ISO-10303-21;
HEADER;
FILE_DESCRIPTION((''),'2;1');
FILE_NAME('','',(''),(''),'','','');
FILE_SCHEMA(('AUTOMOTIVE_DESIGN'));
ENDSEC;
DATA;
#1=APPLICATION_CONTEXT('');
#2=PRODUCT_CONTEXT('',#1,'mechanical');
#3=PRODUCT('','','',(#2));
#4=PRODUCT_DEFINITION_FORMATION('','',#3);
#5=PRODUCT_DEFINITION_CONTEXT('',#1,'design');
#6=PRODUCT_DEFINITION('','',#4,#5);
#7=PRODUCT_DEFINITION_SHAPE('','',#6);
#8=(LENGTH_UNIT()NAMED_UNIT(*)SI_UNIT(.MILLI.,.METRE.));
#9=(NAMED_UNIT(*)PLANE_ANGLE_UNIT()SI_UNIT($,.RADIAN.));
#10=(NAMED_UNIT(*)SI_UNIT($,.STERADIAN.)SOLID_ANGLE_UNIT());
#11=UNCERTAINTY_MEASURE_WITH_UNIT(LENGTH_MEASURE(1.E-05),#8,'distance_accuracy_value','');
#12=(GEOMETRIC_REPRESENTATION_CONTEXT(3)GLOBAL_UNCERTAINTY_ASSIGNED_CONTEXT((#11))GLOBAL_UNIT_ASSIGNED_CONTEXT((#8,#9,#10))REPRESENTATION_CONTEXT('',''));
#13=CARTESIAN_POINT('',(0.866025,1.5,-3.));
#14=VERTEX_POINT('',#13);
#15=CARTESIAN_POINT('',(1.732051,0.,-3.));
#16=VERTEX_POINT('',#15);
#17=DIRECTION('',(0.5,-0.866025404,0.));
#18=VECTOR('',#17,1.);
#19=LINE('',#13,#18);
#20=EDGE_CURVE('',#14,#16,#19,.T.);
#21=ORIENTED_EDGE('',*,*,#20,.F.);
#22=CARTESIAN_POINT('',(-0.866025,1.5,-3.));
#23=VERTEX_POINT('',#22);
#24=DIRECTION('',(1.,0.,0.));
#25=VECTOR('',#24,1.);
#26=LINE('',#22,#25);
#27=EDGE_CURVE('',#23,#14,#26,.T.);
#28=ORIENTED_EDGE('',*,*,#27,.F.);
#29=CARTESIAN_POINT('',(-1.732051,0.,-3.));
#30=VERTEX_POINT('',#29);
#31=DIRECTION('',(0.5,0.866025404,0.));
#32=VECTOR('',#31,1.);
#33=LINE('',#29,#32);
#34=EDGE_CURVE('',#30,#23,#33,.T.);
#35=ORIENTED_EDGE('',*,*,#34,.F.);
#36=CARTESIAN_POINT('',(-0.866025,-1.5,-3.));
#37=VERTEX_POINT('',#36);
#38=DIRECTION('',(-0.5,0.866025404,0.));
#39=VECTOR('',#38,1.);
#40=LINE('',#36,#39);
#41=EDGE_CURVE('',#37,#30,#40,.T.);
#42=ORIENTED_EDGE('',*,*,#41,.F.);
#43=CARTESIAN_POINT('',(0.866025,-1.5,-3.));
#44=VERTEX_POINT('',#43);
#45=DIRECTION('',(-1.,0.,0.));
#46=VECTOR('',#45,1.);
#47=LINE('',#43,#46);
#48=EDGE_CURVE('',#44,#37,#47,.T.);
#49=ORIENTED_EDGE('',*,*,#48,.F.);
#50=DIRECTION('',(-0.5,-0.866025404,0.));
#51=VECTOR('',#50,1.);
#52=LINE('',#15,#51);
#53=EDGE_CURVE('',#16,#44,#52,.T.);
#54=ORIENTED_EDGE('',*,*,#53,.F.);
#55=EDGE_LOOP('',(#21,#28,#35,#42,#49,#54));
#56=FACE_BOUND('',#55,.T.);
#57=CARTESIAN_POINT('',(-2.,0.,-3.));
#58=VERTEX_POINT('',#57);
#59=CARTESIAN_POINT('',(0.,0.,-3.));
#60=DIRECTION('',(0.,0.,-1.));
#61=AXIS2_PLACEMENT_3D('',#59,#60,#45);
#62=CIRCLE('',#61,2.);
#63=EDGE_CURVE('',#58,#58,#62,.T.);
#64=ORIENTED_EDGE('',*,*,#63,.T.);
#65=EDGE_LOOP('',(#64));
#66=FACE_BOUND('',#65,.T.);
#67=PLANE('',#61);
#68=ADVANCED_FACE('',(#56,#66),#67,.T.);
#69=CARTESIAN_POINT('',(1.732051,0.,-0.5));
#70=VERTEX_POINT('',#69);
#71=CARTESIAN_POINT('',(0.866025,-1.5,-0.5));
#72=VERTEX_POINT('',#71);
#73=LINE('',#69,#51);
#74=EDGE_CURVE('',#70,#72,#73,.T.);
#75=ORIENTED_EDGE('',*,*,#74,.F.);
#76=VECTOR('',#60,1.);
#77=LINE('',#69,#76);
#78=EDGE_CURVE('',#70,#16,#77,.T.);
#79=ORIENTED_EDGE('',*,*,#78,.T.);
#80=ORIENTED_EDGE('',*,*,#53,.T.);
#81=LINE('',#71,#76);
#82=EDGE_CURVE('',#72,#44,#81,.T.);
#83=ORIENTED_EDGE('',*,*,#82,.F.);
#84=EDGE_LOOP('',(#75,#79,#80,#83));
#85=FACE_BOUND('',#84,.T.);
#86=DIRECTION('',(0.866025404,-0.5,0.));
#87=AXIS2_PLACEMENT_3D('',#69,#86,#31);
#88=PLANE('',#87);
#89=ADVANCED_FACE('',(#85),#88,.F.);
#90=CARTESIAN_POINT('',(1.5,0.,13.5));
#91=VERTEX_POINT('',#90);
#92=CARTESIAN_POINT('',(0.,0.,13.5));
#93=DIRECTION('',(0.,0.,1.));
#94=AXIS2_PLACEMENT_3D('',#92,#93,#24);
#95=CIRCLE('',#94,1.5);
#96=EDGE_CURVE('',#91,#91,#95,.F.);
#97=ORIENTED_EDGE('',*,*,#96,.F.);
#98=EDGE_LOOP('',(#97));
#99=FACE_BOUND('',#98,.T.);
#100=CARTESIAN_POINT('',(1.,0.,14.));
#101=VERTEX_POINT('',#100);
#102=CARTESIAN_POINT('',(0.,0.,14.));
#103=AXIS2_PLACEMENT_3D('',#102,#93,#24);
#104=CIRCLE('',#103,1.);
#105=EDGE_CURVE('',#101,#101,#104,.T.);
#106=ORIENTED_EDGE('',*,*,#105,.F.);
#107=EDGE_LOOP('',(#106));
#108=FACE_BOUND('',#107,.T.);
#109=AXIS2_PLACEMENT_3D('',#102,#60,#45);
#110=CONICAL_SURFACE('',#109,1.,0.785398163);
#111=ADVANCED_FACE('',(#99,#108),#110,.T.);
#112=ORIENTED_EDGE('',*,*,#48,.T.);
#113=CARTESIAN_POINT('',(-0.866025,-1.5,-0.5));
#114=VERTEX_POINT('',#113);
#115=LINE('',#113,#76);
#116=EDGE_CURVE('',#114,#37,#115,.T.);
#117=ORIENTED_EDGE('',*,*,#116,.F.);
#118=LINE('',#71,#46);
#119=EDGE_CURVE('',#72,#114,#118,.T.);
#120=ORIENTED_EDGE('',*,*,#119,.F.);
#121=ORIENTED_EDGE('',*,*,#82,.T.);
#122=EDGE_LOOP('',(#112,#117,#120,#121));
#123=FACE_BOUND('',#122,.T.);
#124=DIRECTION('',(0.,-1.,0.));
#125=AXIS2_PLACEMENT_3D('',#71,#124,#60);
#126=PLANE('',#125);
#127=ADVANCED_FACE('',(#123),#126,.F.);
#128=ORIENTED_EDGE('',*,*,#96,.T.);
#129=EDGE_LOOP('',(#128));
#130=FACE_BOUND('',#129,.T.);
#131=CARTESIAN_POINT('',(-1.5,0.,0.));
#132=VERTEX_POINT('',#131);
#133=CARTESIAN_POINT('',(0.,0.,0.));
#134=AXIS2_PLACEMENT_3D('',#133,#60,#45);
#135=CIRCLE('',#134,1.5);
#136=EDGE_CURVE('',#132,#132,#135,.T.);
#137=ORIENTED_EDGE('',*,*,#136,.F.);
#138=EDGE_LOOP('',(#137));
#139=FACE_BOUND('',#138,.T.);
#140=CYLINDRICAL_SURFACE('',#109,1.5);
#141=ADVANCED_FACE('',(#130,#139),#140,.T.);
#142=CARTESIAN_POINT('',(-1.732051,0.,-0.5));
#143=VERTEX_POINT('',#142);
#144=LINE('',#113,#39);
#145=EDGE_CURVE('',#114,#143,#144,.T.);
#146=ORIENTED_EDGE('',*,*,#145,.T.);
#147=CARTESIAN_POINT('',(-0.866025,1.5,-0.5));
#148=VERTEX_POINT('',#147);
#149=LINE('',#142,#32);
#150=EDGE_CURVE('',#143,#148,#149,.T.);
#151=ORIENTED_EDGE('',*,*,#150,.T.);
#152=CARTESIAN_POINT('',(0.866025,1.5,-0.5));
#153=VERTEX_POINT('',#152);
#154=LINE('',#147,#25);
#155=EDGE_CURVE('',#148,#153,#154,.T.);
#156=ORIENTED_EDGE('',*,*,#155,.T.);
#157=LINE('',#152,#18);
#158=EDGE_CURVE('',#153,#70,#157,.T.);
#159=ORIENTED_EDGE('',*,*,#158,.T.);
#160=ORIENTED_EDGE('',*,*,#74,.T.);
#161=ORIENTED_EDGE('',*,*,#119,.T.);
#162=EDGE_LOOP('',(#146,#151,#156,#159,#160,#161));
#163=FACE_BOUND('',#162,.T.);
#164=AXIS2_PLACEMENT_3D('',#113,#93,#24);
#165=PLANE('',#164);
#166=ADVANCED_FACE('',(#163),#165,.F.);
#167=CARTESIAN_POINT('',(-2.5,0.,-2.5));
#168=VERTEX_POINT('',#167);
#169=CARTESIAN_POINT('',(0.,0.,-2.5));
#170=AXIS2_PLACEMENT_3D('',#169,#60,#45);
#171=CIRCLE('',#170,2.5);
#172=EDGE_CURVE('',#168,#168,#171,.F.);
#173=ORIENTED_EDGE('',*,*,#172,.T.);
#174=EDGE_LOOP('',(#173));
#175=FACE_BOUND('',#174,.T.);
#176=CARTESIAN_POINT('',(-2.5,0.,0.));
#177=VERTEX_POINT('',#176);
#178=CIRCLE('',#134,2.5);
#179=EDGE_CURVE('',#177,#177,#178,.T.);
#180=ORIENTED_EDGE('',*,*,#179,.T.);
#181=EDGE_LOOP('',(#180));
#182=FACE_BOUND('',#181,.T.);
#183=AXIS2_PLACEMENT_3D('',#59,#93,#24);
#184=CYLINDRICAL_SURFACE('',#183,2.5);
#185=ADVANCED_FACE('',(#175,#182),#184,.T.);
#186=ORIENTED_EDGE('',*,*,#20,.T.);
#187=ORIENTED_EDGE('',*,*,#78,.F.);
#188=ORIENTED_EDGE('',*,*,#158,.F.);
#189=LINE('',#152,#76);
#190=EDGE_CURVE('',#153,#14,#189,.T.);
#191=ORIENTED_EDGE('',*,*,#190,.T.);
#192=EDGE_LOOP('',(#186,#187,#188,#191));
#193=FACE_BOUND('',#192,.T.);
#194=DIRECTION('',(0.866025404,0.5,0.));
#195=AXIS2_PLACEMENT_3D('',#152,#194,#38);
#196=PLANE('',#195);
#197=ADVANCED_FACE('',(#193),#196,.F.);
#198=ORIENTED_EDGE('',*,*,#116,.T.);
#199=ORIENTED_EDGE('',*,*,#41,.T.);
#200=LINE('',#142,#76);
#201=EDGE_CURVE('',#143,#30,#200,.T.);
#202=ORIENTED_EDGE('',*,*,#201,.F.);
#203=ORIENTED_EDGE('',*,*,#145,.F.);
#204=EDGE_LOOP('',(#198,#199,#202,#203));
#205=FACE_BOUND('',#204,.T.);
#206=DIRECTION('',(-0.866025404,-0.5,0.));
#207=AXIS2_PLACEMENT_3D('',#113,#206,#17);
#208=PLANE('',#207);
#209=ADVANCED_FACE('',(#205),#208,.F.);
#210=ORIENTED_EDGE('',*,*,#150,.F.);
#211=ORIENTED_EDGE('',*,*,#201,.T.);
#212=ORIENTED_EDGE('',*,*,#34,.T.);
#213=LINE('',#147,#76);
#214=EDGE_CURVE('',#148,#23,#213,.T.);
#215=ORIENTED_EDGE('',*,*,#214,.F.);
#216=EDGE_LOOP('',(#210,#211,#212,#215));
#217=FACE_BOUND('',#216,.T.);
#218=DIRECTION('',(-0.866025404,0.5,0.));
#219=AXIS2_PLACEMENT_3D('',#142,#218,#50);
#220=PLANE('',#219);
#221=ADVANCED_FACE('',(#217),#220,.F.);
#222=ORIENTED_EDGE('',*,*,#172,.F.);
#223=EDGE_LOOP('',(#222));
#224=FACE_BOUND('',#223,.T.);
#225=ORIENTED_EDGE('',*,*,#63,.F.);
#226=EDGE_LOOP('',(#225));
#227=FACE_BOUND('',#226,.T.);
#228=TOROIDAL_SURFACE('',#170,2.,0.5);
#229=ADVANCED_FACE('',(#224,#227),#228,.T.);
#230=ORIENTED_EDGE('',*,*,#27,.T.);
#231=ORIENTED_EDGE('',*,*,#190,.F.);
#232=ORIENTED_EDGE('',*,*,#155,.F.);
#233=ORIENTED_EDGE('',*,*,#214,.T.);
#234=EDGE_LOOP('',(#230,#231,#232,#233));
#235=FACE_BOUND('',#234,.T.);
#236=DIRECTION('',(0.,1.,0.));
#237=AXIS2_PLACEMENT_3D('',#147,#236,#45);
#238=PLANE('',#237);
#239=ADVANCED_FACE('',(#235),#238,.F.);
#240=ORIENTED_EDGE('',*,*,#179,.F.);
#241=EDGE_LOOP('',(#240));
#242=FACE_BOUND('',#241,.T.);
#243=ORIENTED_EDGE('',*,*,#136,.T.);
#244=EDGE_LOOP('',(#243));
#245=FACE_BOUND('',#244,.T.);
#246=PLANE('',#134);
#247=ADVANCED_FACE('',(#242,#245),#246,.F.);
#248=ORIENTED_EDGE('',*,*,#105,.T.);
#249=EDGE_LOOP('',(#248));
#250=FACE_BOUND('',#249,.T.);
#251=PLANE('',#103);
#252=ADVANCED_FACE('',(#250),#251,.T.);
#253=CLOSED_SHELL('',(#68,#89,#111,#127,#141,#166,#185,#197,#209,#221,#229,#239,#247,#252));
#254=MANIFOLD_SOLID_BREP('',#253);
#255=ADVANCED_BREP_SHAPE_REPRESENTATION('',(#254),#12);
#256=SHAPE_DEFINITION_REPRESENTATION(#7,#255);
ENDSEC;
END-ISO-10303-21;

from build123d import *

# Parameters (mm, degrees)
ESQUISSE1_R             = 1.5
BASE_EXTRUSION_DEPTH    = 14
CHANFREIN1_SIZE         = 0.5
ESQUISSE2_R             = 2.5
BOSS_EXTRU_1_DEPTH      = 3
CONG_1_R                = 0.5
ENL_V_MAT_EXTRU_1_DEPTH = 2.5


with BuildPart() as part:
    # Esquisse1 → Base-Extrusion (new body)
    with BuildSketch(Plane.XY):
        Circle(ESQUISSE1_R)
    extrude(amount=BASE_EXTRUSION_DEPTH)

    # Chanfrein1
    chanfrein1_edges = [part.edges().sort_by_distance(p)[0] for p in [
        (-1.5, 0, 14),
    ]]
    chamfer(chanfrein1_edges, length=CHANFREIN1_SIZE)

    # Esquisse2 → Boss.-Extru.1 (add)
    with BuildSketch(Plane(origin=(0, 0, 0), x_dir=(-1, 0, 0), z_dir=(0, 0, -1))):
        Circle(ESQUISSE2_R)
    extrude(amount=BOSS_EXTRU_1_DEPTH)

    # Congé1
    cong_1_edges = [part.edges().sort_by_distance(p)[0] for p in [
        (2.5, 0, -3),
    ]]
    fillet(cong_1_edges, radius=CONG_1_R)

    # Esquisse3 → Enlèv. mat.-Extru.1 (cut)
    with BuildSketch(Plane(origin=(0, 0, -3), x_dir=(-1, 0, 0), z_dir=(0, 0, -1))):
        Polygon((1.732050808, 0), (0.866025404, 1.5), (-0.866025404, 1.5), (-1.732050808, 0), (-0.866025404, -1.5), (0.866025404, -1.5), align=None)
    extrude(amount=-ENL_V_MAT_EXTRU_1_DEPTH, mode=Mode.SUBTRACT)


solid = part.part
